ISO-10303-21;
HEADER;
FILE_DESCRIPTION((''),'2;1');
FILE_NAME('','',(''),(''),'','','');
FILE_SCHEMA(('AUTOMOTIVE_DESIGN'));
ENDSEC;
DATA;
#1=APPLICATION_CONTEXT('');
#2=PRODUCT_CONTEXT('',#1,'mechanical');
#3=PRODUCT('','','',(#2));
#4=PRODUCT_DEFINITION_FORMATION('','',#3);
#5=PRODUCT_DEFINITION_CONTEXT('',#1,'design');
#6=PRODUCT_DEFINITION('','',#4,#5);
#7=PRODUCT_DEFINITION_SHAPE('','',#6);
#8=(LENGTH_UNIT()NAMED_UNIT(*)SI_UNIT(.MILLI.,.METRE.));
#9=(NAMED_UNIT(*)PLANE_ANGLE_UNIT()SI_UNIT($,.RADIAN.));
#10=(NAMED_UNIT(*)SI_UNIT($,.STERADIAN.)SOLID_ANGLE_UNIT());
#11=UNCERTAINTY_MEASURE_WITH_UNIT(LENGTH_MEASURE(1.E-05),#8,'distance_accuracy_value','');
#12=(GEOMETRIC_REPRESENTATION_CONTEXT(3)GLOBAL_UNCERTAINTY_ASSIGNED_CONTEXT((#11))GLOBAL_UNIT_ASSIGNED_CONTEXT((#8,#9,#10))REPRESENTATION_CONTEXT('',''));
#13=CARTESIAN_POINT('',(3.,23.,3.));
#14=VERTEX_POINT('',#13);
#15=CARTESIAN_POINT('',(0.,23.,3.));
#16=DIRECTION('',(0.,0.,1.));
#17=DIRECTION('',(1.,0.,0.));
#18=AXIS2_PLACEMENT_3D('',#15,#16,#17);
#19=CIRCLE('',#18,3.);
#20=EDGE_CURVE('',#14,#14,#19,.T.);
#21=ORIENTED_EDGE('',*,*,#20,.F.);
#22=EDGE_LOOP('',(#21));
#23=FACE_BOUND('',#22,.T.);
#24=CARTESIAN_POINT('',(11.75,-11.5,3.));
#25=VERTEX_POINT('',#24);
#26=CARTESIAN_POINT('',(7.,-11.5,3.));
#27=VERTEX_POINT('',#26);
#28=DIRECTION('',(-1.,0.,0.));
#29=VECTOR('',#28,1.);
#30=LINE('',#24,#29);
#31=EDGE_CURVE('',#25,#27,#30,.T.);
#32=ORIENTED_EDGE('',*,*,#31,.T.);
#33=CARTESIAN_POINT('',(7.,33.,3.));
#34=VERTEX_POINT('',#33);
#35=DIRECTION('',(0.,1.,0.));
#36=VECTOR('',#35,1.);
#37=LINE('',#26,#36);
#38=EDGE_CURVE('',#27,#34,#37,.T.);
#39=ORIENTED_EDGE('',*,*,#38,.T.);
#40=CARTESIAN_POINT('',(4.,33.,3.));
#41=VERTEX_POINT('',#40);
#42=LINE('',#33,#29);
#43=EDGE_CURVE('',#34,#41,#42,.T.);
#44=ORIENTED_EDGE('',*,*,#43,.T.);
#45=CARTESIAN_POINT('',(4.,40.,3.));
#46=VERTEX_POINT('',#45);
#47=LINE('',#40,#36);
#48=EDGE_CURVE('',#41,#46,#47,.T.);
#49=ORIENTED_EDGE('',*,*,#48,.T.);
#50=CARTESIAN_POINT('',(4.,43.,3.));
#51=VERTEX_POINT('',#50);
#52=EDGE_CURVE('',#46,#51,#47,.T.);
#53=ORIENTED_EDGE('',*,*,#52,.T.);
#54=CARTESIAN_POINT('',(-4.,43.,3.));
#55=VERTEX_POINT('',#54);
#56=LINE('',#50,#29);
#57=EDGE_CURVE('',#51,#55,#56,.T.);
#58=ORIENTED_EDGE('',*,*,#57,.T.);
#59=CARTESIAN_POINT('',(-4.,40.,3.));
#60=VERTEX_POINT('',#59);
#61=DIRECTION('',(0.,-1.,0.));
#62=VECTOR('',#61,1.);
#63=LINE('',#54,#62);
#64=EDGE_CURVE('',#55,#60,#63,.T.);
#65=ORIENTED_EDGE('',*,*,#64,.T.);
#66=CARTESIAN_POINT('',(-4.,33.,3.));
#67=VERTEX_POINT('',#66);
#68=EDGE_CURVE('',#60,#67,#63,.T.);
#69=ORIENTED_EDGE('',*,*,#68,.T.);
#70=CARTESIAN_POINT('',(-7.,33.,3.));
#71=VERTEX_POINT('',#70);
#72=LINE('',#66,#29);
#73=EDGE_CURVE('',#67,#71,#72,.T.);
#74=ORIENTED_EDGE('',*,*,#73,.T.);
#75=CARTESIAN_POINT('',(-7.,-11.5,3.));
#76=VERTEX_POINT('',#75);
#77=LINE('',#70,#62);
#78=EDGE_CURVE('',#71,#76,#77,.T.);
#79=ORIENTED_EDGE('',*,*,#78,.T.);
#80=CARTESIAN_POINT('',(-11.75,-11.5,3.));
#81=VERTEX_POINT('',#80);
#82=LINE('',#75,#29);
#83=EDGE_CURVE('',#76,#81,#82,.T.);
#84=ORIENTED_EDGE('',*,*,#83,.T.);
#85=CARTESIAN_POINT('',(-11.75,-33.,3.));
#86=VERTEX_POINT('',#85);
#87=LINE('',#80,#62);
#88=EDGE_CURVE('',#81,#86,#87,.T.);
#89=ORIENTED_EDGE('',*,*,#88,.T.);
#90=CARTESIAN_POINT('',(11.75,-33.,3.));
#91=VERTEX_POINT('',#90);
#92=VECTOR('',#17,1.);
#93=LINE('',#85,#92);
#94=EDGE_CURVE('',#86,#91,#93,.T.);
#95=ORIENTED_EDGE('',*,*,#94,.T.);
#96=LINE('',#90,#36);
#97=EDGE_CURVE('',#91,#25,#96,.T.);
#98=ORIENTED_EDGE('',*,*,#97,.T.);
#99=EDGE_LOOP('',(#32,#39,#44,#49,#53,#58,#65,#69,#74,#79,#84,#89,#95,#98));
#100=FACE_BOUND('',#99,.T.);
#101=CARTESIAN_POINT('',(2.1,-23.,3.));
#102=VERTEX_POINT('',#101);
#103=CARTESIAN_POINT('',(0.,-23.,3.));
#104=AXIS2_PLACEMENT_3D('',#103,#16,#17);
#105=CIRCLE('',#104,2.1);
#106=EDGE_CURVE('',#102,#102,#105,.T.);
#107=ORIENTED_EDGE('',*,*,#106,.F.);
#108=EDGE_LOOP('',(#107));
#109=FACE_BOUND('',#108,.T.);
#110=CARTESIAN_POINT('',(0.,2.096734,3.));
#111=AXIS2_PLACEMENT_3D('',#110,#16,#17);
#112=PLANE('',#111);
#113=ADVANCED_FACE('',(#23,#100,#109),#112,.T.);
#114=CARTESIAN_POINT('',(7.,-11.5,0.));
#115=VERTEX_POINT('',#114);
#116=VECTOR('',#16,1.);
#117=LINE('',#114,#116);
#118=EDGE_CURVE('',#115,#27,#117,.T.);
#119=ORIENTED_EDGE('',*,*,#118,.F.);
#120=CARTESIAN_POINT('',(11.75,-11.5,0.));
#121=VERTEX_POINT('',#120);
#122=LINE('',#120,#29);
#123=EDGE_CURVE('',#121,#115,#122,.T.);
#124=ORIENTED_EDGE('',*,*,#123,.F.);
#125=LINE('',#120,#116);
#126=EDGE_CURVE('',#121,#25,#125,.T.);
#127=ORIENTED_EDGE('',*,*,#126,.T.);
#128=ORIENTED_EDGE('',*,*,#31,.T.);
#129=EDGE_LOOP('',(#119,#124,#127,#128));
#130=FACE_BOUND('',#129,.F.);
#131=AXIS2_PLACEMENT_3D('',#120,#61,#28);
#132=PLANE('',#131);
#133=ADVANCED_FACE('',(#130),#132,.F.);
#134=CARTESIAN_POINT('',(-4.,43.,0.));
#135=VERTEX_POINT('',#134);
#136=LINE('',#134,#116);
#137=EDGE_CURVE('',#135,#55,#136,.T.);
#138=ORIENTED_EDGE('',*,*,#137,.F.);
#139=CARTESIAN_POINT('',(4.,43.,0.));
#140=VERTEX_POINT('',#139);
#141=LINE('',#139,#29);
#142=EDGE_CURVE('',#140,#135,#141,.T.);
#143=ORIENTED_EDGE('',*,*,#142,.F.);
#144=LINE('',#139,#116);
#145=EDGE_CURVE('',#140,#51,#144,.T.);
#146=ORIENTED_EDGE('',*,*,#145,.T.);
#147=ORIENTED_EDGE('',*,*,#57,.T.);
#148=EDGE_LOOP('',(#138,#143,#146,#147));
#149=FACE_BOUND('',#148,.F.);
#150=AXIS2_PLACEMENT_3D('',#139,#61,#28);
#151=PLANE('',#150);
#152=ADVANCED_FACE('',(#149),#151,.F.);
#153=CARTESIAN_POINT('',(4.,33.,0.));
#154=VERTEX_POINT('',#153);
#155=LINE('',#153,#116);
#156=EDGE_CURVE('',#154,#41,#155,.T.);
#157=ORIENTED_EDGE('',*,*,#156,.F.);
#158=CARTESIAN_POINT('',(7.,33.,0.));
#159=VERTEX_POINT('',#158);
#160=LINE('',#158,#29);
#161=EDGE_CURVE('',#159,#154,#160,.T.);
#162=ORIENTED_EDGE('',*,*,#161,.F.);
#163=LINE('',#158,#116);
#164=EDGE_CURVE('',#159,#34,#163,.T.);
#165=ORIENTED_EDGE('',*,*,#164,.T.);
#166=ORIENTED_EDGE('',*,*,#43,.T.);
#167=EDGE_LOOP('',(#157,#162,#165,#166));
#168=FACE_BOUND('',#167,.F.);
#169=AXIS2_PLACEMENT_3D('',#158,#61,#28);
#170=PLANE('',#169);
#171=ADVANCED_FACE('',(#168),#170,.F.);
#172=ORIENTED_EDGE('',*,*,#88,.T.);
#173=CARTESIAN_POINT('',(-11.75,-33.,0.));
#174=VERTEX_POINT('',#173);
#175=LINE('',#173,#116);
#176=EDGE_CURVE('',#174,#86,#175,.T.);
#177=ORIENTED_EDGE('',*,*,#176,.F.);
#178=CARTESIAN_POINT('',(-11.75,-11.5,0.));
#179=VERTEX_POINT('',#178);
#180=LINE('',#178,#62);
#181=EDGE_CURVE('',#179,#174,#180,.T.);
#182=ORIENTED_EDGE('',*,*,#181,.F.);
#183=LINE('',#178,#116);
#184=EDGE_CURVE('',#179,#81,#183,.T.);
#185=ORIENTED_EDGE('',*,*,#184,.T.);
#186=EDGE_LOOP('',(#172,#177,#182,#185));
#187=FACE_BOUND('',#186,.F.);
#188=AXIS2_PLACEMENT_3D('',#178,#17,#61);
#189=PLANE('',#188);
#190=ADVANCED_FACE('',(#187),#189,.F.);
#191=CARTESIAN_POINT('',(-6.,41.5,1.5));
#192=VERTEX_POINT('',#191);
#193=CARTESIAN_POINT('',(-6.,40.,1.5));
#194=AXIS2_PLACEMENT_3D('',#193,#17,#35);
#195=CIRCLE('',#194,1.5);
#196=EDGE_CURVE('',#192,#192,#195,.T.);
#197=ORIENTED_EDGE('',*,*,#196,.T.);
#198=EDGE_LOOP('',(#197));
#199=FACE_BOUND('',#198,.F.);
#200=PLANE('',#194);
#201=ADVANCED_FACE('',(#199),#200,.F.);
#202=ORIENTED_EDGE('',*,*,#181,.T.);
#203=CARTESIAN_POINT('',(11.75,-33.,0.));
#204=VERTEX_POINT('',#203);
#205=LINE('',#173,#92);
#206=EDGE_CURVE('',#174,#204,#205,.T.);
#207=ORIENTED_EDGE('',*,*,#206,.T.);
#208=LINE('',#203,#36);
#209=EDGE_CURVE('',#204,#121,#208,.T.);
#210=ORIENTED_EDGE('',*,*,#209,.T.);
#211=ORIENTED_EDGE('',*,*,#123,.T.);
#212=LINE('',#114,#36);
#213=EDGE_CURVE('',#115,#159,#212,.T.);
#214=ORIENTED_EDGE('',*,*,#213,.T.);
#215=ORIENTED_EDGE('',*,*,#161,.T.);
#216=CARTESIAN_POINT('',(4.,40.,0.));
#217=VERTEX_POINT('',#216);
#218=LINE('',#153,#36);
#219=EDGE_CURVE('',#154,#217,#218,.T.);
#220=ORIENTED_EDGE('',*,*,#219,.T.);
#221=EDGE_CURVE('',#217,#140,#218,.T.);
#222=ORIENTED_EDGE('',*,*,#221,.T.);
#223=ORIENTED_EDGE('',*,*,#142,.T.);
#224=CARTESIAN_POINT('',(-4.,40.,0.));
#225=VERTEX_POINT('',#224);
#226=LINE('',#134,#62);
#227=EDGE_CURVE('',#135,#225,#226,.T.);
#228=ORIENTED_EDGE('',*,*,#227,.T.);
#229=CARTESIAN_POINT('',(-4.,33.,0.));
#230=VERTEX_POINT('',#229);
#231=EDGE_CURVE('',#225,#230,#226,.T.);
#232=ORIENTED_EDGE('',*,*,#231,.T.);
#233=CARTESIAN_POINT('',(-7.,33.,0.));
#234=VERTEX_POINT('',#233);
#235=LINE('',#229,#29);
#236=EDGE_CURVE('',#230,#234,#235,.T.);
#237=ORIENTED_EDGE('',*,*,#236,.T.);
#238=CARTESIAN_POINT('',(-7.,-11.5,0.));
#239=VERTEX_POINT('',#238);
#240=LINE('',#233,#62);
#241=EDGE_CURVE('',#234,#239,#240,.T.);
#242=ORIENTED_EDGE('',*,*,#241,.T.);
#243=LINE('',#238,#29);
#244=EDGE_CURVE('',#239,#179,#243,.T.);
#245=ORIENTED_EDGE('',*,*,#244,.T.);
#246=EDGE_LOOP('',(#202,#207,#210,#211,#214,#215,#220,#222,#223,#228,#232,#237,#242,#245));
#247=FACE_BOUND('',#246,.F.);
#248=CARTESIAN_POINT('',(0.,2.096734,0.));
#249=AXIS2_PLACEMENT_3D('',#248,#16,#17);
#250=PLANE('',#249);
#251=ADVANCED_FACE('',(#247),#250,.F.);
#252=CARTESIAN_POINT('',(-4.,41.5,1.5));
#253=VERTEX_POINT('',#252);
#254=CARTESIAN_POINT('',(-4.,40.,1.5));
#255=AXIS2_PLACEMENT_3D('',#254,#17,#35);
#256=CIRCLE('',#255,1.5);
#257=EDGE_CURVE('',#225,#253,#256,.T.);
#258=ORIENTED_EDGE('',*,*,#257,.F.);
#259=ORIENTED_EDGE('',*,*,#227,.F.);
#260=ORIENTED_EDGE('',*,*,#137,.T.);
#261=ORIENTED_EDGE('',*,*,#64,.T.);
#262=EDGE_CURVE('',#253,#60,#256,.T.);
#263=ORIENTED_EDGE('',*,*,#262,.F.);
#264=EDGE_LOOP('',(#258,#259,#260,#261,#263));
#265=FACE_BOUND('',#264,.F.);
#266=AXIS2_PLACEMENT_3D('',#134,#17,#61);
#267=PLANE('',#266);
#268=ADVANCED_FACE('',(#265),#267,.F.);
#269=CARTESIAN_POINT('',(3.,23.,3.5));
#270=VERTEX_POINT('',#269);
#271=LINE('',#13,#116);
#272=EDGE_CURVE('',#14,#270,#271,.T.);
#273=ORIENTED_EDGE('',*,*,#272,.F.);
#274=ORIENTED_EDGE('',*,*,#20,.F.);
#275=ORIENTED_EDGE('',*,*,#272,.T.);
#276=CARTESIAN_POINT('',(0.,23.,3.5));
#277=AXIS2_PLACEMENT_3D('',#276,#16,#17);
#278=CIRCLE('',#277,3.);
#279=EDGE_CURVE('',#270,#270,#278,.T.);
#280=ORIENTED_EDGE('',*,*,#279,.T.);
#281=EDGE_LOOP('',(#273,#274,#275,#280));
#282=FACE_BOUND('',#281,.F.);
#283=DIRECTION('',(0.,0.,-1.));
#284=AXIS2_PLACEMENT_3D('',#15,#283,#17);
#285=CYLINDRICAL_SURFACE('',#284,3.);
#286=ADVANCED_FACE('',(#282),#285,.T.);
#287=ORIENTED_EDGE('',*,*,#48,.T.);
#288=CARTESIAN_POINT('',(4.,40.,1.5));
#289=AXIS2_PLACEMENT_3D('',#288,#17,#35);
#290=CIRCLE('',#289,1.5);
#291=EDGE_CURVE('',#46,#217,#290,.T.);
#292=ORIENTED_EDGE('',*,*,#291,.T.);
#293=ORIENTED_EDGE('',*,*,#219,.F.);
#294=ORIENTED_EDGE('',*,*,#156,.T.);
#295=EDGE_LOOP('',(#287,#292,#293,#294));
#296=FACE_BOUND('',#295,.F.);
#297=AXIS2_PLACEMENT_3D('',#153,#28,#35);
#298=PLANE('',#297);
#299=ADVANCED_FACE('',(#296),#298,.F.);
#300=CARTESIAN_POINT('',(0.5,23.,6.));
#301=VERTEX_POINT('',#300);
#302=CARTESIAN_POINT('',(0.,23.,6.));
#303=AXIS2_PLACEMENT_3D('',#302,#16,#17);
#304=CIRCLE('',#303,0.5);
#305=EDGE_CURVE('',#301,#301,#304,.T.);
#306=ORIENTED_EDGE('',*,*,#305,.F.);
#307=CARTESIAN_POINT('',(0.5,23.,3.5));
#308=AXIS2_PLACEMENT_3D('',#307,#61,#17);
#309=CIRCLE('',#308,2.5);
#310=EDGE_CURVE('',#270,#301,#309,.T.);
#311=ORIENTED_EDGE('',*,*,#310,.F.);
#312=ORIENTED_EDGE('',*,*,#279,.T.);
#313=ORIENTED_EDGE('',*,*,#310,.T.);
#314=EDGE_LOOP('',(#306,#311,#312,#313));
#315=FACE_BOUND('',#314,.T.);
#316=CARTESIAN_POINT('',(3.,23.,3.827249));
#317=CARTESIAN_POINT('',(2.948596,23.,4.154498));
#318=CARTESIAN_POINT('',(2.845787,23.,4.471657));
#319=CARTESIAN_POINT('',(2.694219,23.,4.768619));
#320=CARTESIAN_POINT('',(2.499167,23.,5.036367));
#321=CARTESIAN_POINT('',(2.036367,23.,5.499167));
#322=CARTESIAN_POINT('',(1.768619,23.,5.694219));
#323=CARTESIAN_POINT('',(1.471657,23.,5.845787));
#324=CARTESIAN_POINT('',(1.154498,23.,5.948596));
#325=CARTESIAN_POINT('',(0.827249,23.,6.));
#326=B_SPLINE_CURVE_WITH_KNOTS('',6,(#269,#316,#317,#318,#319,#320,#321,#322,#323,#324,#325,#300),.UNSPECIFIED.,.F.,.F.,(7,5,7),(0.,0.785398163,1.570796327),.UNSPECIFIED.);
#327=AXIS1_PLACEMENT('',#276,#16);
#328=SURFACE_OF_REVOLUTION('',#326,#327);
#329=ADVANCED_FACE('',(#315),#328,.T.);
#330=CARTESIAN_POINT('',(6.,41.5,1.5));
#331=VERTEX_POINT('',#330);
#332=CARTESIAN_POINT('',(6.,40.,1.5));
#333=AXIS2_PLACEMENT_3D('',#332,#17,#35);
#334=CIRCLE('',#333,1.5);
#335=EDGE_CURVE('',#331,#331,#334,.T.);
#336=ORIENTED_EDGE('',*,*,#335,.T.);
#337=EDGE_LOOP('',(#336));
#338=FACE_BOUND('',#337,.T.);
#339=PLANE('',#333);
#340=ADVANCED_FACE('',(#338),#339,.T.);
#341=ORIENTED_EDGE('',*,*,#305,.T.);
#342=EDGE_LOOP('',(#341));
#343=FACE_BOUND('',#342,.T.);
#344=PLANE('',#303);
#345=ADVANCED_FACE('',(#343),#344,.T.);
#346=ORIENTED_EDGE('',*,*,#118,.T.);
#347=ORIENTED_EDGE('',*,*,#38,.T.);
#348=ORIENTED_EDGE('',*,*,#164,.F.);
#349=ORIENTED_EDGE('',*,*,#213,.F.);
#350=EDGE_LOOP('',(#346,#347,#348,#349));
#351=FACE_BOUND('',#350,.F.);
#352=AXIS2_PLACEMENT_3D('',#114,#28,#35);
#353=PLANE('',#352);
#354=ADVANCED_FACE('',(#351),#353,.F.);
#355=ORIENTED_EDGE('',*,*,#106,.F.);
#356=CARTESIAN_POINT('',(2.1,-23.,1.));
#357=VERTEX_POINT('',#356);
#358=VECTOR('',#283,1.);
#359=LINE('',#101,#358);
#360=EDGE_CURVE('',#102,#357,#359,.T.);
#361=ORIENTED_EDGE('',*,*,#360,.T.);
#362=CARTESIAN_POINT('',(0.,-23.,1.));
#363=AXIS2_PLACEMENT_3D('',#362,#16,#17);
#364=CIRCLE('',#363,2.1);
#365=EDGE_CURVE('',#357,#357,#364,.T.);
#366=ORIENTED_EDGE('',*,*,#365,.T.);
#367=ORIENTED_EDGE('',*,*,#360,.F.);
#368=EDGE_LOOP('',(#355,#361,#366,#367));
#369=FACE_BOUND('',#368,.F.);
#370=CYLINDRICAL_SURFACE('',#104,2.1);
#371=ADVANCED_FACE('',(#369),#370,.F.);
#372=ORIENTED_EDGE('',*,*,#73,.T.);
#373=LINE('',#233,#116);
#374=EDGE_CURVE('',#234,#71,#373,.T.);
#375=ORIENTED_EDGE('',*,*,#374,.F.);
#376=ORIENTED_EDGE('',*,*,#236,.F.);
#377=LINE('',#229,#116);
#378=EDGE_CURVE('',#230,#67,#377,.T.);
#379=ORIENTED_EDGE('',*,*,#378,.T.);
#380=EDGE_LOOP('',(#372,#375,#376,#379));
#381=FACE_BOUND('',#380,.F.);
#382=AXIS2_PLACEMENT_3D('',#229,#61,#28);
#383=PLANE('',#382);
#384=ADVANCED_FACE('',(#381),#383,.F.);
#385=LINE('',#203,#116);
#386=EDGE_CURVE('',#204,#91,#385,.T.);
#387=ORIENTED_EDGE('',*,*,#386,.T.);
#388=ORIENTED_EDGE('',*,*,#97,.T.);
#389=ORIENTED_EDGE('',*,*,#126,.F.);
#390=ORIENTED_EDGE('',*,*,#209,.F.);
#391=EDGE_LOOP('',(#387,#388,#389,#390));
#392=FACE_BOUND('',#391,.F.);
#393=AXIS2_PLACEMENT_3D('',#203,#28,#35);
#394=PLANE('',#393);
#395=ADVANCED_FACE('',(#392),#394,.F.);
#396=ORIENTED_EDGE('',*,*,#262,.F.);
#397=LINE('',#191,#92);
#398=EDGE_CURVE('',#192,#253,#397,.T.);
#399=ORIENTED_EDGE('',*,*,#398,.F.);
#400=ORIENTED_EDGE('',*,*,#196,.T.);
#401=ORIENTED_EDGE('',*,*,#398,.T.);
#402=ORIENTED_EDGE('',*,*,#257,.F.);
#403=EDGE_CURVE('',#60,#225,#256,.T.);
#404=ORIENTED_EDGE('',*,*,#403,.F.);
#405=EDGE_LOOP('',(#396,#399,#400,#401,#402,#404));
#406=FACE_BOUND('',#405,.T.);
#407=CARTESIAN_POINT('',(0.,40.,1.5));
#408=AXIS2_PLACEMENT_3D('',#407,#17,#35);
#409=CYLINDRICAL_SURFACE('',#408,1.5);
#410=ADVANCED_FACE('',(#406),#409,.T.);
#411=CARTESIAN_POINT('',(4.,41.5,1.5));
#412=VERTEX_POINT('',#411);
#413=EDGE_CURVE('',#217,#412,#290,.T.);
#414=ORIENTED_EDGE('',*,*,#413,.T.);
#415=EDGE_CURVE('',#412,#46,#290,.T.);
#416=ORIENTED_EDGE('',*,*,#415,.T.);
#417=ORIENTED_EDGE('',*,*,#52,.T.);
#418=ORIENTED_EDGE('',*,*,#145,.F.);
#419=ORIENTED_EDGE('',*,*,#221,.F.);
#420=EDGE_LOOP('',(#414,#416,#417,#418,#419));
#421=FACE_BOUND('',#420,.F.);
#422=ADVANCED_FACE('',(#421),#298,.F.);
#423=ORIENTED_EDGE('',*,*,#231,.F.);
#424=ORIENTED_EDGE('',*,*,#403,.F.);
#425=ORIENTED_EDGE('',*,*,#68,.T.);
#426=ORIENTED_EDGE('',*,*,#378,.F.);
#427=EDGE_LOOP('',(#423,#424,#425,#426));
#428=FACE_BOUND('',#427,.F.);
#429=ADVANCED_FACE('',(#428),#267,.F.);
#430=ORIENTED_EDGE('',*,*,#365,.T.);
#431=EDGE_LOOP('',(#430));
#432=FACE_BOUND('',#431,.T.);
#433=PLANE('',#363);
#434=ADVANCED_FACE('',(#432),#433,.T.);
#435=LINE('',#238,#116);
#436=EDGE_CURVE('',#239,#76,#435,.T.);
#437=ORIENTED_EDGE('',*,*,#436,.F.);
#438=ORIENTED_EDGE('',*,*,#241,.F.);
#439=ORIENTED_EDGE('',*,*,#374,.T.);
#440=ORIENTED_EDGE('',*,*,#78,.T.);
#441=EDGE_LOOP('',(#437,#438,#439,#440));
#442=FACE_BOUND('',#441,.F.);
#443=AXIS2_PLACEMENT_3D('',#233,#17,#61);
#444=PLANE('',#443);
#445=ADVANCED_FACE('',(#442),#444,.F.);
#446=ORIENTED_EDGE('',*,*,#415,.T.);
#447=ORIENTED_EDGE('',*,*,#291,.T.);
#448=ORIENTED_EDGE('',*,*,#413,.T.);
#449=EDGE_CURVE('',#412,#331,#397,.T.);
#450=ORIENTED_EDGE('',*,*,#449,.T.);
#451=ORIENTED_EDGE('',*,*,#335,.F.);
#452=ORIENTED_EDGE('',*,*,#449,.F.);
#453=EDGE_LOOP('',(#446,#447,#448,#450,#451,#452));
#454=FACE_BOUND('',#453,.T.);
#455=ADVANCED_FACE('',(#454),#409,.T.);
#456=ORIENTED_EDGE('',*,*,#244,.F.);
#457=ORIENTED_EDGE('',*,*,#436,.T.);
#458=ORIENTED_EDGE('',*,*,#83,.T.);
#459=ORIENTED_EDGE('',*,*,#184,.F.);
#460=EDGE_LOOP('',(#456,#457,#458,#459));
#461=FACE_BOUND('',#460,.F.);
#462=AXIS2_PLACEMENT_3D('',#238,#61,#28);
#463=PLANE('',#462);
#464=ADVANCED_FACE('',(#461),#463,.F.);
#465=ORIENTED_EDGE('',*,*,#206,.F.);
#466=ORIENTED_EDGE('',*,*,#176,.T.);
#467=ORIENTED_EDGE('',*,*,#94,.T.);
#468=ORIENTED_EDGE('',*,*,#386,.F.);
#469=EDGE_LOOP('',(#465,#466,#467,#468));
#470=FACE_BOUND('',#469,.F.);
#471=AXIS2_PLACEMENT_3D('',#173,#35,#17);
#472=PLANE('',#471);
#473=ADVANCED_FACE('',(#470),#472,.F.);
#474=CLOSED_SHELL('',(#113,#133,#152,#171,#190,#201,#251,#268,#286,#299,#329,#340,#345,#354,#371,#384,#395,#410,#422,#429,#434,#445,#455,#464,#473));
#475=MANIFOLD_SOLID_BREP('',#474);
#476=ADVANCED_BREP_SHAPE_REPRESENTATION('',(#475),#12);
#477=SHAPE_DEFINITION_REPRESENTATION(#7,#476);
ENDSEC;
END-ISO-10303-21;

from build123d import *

# Parameters (mm, degrees)
PAD_DEPTH    = 3
SKETCH001_R  = 1.5
PAD001_DEPTH = 6
SKETCH002_R  = 2.1
POCKET_DEPTH = 2
SKETCH003_R  = 3
PAD002_DEPTH = 3
FILLET_R     = 2.5


with BuildPart() as part:
    # Sketch → Pad (new body)
    with BuildSketch(Plane.XY):
        Polygon((-11.75, -33), (11.75, -33), (11.75, -11.5), (7, -11.5), (7, 33), (4, 33), (4, 43), (-4, 43), (-4, 33), (-7, 33), (-7, -11.5), (-11.75, -11.5), align=None)
    extrude(amount=PAD_DEPTH)

    # Sketch001 → Pad001 (join, symmetric)
    with BuildSketch(Plane.YZ):
        with Locations((40, 1.5)):
            Circle(SKETCH001_R)
    extrude(amount=PAD001_DEPTH, both=True)

    # Sketch002 (on Face5 of Pad001) → Pocket (cut)
    with BuildSketch(Plane.XY.offset(3)):
        with Locations((0, -23)):
            Circle(SKETCH002_R)
    extrude(amount=-POCKET_DEPTH, mode=Mode.SUBTRACT)

    # Sketch003 (on Face5 of Pocket) → Pad002 (join)
    with BuildSketch(Plane.XY.offset(3)):
        with Locations((0, 23)):
            Circle(SKETCH003_R)
    extrude(amount=PAD002_DEPTH)

    # Fillet
    fillet_edges = [part.edges().sort_by_distance(p)[0] for p in [
        (-3, 23, 6),
    ]]
    fillet(fillet_edges, radius=FILLET_R)


solid = part.part
